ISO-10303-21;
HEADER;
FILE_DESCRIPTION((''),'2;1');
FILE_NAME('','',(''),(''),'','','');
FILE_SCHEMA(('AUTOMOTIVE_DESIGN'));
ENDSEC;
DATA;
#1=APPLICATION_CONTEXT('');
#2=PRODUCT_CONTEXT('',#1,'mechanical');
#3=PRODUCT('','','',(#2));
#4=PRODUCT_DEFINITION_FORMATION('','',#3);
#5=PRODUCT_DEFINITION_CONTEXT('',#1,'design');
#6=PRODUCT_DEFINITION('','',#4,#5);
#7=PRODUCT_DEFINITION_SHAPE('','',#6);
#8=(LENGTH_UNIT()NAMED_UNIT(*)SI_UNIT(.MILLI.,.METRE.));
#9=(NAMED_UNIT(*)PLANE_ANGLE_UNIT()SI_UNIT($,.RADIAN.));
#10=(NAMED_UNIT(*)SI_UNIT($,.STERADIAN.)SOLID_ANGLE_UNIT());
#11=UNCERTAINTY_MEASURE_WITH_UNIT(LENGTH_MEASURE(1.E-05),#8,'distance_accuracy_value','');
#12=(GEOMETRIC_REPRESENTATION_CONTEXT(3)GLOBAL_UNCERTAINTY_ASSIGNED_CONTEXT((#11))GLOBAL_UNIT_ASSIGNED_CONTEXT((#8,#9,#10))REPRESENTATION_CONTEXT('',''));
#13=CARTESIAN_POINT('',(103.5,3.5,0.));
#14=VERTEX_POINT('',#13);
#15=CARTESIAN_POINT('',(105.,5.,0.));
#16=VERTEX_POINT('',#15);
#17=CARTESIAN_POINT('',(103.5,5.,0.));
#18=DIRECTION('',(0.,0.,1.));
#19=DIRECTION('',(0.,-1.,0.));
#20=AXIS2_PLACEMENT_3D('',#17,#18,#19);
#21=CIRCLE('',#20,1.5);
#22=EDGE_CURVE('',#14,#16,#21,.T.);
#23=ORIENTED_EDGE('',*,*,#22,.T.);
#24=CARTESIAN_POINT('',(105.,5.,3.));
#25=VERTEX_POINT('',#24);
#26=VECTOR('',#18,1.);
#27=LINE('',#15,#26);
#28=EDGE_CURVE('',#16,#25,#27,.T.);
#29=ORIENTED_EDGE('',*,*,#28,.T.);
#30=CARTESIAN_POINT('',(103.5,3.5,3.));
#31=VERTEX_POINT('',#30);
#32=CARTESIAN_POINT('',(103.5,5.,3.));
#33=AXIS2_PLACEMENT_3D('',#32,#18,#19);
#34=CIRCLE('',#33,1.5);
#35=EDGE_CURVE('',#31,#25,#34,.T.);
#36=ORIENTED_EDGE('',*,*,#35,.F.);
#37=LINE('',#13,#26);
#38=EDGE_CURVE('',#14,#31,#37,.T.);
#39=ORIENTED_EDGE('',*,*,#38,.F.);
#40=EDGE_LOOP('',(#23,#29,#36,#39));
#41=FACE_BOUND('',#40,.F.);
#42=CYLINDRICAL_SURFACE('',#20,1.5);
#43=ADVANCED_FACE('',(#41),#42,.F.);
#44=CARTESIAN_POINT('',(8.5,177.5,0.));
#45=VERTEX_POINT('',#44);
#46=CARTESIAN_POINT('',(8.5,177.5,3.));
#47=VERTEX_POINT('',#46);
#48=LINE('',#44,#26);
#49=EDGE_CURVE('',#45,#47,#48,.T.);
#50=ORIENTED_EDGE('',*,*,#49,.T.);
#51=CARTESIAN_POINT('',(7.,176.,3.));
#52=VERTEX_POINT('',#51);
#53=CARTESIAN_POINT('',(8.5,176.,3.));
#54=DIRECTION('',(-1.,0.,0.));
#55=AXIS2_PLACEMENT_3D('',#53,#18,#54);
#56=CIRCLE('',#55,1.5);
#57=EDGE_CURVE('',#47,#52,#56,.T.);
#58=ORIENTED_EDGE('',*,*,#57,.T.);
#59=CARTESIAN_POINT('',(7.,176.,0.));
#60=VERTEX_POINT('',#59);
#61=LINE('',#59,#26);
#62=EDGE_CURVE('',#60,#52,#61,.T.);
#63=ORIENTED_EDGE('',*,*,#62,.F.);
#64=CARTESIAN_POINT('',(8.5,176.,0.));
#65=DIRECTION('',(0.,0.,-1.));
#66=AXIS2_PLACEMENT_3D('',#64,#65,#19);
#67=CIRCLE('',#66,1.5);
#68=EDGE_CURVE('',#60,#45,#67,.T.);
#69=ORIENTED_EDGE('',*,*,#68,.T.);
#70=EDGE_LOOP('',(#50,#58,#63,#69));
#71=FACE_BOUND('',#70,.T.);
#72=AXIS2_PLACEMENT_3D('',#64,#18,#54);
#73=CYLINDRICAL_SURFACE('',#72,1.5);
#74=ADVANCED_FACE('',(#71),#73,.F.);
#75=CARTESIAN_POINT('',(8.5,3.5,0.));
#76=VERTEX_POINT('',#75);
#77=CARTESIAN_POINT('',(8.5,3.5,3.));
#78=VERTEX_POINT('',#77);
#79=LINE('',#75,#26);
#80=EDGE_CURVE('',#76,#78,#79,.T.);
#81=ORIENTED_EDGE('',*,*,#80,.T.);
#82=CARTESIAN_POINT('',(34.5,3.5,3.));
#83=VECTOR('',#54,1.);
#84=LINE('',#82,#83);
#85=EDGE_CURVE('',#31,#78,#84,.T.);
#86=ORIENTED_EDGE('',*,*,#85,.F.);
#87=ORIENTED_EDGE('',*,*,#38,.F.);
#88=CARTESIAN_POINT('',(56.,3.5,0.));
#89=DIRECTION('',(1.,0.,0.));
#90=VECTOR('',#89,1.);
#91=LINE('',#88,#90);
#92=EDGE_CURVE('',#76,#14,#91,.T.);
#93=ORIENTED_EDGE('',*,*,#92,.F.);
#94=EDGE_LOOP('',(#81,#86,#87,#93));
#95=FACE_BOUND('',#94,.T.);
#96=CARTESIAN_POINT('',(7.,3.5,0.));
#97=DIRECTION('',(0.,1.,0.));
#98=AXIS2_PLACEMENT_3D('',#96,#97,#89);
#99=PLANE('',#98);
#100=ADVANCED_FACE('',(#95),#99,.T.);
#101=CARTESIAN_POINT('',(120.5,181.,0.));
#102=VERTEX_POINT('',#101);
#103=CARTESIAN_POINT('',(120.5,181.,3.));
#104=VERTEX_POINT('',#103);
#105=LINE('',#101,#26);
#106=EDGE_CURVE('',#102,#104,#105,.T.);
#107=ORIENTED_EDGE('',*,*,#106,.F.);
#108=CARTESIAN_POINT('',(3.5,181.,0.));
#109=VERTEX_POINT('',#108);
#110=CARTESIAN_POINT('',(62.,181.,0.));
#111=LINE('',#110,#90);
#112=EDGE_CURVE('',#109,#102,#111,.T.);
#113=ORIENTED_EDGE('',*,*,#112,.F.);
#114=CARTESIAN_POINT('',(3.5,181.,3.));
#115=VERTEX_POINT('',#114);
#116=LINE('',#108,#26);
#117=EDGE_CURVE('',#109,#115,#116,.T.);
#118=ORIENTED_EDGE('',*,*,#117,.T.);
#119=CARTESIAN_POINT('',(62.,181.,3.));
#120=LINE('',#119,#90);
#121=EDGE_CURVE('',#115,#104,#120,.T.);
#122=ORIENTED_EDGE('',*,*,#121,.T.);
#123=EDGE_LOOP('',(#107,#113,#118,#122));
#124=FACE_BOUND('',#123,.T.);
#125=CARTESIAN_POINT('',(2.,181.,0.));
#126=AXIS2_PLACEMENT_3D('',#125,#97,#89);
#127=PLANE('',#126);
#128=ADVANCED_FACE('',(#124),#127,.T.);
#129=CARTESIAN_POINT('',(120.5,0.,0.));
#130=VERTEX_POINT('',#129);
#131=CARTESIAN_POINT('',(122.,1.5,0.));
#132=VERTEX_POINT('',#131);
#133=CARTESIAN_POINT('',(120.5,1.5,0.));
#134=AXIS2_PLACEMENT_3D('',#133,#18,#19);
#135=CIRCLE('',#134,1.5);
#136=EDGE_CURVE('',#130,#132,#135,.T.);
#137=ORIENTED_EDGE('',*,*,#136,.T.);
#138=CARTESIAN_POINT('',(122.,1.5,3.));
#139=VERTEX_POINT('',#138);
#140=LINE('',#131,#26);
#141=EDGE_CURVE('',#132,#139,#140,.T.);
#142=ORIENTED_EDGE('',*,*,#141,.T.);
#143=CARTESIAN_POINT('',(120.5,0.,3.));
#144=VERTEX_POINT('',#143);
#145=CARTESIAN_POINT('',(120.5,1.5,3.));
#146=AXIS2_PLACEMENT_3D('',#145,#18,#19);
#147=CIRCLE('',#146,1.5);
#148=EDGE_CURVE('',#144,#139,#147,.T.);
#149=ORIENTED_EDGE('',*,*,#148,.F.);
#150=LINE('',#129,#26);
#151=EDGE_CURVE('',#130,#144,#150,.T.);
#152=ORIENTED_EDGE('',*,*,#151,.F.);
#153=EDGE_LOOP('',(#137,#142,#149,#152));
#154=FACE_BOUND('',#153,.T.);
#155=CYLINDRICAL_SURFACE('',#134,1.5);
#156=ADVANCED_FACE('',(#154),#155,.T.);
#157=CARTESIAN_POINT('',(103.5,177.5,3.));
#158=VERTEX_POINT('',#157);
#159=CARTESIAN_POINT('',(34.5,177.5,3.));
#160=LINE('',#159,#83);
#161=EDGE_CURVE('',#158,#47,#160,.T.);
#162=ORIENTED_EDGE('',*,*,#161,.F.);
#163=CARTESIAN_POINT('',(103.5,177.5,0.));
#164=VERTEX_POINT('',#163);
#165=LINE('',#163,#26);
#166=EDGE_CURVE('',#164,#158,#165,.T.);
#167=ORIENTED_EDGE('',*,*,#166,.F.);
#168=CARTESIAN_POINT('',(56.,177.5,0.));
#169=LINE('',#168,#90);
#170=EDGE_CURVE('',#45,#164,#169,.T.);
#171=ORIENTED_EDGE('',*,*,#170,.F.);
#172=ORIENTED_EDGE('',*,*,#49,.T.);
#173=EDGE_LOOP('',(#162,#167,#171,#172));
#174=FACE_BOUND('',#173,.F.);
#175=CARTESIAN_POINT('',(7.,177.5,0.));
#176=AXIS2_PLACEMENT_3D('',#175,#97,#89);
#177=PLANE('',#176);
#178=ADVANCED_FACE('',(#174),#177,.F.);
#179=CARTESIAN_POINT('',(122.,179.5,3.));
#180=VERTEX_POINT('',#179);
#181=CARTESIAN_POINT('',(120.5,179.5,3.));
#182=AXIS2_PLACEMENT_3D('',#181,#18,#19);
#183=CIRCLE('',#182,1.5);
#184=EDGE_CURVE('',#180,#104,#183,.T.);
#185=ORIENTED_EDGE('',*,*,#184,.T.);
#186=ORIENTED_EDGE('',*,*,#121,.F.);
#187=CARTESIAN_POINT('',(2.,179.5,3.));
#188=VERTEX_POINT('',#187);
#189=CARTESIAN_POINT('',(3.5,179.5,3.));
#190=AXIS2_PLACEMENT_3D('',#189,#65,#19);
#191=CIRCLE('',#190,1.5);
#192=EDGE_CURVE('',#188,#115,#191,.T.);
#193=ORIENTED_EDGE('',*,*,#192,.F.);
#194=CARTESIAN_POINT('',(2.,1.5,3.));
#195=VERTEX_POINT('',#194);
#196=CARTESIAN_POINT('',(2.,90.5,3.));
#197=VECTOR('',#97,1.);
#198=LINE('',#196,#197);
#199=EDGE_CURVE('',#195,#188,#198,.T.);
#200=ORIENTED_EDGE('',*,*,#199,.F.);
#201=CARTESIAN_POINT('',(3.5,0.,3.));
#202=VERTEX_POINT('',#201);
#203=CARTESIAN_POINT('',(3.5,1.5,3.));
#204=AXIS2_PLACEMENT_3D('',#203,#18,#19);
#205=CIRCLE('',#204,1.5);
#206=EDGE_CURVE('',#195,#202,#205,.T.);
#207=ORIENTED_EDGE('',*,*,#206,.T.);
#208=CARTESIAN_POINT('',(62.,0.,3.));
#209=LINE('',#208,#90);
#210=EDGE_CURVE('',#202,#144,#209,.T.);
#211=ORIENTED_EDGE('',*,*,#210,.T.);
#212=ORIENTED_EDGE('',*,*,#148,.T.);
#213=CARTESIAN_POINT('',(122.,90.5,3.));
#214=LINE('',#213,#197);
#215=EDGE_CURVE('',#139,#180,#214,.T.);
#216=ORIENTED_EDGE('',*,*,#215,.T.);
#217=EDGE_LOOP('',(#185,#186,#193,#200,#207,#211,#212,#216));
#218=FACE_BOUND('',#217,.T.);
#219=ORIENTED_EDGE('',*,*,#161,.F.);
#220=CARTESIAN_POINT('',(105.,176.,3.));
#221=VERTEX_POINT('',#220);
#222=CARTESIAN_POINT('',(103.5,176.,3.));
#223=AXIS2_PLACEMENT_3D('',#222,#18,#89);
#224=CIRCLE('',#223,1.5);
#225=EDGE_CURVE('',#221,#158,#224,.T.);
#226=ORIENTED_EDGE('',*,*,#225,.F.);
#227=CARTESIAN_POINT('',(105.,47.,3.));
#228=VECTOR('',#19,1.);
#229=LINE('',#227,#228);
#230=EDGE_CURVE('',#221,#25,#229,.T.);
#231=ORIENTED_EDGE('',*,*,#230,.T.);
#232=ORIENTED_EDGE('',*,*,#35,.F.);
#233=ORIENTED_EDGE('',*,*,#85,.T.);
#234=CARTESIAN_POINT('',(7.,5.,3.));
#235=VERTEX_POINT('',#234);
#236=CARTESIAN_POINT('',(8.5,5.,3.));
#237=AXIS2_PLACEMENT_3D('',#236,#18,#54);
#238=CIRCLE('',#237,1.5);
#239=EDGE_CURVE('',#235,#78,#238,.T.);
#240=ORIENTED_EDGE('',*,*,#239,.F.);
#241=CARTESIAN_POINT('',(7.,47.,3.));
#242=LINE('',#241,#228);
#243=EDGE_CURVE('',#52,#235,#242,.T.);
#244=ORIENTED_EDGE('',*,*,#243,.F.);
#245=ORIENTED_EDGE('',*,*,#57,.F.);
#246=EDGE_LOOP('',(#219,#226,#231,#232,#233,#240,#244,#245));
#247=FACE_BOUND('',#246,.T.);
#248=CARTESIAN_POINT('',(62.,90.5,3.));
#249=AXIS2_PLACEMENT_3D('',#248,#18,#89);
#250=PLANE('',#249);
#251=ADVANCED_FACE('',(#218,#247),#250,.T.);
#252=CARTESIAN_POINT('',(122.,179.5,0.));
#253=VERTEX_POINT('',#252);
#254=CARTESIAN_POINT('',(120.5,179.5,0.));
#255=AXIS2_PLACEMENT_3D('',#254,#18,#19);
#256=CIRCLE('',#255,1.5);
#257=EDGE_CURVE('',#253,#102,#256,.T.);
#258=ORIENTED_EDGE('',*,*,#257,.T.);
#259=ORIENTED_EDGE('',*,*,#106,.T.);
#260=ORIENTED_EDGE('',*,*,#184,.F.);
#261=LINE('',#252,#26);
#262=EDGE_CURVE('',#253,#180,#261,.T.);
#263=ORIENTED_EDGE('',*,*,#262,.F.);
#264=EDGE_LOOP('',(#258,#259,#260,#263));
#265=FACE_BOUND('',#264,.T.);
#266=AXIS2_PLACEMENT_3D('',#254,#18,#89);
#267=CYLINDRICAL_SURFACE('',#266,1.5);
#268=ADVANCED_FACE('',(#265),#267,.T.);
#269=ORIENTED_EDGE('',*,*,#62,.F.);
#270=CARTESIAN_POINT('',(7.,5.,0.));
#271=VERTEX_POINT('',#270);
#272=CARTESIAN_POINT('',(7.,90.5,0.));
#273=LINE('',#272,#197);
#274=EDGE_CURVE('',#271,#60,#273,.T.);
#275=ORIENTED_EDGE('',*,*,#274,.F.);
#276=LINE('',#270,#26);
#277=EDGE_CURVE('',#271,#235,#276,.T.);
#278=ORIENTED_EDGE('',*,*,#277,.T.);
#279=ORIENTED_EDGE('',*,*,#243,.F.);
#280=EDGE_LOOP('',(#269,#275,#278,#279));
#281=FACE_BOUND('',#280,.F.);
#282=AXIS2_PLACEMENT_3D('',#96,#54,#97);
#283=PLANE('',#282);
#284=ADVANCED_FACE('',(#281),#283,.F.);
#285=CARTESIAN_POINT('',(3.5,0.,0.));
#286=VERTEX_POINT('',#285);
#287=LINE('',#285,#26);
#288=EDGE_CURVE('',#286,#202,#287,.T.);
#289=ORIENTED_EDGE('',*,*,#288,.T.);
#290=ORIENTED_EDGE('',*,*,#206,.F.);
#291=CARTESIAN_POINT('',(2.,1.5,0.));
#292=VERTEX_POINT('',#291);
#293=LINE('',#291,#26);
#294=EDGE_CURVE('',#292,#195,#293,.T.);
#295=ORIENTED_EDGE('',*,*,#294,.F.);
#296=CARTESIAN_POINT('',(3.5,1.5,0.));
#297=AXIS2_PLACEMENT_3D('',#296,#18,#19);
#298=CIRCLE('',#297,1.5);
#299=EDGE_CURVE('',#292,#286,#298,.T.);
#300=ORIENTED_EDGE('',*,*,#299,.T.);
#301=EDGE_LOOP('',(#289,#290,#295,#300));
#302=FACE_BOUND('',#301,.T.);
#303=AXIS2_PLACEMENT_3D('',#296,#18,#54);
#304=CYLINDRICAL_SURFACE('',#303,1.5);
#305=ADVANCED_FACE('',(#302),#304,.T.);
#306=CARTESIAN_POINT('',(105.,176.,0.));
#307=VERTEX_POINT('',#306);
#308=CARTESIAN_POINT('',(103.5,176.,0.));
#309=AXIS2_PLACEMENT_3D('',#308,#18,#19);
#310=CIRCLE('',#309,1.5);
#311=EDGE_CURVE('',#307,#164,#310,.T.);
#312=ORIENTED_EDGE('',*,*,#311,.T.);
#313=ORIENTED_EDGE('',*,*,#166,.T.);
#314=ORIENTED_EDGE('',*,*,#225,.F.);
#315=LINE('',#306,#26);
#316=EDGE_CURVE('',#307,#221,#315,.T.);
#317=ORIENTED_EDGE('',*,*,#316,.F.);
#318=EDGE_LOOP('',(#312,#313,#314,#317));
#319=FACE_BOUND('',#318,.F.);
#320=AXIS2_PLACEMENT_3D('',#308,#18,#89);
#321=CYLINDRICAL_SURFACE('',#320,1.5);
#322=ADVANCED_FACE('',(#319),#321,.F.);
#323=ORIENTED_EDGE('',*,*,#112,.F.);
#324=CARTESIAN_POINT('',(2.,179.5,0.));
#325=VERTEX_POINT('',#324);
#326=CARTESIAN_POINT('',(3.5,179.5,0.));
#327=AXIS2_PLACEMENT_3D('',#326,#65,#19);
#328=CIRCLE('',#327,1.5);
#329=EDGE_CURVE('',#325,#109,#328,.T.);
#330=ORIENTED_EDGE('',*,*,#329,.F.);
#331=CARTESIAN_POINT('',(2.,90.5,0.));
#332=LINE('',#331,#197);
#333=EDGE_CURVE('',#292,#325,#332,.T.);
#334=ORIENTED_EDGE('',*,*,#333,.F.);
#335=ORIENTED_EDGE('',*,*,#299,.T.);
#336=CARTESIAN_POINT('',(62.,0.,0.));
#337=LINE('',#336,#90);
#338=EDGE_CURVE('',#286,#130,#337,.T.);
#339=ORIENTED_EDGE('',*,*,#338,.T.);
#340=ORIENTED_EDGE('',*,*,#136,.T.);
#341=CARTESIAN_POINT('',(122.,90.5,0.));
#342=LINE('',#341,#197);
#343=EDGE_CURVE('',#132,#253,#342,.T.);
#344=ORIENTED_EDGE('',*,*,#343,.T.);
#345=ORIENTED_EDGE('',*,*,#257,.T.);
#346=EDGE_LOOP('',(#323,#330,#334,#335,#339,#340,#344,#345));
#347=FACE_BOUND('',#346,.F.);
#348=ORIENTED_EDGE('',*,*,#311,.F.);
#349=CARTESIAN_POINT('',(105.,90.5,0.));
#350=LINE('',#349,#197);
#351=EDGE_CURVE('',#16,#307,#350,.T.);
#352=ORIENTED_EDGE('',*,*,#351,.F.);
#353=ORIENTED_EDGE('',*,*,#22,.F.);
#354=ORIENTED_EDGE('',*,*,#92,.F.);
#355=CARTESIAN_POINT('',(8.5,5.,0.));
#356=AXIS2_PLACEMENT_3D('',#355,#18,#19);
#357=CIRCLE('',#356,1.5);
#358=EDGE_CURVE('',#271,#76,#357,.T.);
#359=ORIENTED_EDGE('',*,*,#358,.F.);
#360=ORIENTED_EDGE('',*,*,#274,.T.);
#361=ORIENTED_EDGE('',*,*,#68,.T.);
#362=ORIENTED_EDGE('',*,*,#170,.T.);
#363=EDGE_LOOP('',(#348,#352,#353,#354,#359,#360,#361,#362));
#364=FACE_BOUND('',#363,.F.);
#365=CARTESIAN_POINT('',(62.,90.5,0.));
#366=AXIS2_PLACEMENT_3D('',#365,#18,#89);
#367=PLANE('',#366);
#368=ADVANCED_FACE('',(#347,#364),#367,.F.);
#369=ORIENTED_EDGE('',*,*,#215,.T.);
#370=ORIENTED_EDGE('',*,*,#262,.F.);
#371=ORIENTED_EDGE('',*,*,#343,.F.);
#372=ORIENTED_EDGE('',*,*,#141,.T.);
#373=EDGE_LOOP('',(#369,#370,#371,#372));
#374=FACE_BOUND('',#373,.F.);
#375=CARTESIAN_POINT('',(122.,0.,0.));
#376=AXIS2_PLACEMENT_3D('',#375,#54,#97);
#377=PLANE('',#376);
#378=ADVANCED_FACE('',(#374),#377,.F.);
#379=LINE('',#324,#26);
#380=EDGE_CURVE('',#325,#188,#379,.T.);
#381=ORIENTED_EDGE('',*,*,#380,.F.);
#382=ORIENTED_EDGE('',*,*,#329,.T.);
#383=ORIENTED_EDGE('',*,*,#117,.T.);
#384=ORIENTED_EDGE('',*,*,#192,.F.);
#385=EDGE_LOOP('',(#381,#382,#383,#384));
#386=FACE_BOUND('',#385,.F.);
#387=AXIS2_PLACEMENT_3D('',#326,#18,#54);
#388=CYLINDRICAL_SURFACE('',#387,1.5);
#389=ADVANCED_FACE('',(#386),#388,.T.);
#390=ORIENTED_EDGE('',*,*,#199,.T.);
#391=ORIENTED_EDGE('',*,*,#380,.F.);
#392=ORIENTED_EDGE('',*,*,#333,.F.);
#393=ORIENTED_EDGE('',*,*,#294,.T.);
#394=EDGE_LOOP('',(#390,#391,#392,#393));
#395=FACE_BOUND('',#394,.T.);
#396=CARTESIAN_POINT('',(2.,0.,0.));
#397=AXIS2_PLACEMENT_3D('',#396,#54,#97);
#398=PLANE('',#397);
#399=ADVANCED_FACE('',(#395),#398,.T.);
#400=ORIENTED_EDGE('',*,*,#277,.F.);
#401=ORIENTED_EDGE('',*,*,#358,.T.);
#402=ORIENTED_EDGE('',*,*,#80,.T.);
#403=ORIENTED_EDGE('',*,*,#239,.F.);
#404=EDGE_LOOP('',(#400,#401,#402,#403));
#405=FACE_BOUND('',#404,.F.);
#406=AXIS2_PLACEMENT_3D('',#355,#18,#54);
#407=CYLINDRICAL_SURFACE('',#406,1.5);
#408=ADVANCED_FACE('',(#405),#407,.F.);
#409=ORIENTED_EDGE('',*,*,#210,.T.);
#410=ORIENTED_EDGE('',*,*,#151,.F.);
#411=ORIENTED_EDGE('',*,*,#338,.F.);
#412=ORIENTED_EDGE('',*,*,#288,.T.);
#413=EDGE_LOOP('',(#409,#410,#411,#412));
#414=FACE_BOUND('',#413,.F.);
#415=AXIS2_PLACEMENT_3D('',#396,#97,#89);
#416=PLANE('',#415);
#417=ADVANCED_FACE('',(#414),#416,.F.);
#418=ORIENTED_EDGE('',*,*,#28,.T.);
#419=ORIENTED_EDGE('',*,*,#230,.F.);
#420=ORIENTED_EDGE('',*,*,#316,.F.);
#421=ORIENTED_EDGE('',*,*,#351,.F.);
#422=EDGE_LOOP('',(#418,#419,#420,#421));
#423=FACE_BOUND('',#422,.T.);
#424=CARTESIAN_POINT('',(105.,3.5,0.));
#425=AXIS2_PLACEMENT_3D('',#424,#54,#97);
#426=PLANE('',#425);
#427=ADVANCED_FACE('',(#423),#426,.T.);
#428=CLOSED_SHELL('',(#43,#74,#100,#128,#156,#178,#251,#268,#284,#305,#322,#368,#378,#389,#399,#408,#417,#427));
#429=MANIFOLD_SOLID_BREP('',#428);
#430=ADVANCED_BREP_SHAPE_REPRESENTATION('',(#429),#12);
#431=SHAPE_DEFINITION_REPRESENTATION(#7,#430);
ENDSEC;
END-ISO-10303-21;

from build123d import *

# Parameters (mm, degrees)
BOX001_W     = 98
BOX001_H     = 174
BOX001_DEPTH = 10
FILLET_R     = 1.5
BOX_W        = 120
BOX_H        = 181
BOX_DEPTH    = 3
FILLET001_R  = 1.5


with BuildPart() as fillet_body:
    # Box001 → Box001 (new body)
    with BuildSketch(Plane(origin=(7, 3.5, 0), x_dir=(1, 0, 0), z_dir=(0, 0, 1))):
        with Locations((49, 87)):
            Rectangle(BOX001_W, BOX001_H)
    extrude(amount=BOX001_DEPTH)

    # Fillet
    fillet_edges = [fillet_body.edges().sort_by_distance(p)[0] for p in [
        (7, 3.5, 5),
        (7, 177.5, 5),
        (105, 3.5, 5),
        (105, 177.5, 5),
    ]]
    fillet(fillet_edges, radius=FILLET_R)


with BuildPart() as cut:
    # Box → Box (new body)
    with BuildSketch(Plane(origin=(2, 0, 0), x_dir=(1, 0, 0), z_dir=(0, 0, 1))):
        with Locations((60, 90.5)):
            Rectangle(BOX_W, BOX_H)
    extrude(amount=BOX_DEPTH)

    # Fillet001
    fillet001_edges = [cut.edges().sort_by_distance(p)[0] for p in [
        (2, 0, 1.5),
        (2, 181, 1.5),
        (122, 0, 1.5),
        (122, 181, 1.5),
    ]]
    fillet(fillet001_edges, radius=FILLET001_R)

    # Cut: cut Fillet body
    add(fillet_body.part, mode=Mode.SUBTRACT)


solid = cut.part
